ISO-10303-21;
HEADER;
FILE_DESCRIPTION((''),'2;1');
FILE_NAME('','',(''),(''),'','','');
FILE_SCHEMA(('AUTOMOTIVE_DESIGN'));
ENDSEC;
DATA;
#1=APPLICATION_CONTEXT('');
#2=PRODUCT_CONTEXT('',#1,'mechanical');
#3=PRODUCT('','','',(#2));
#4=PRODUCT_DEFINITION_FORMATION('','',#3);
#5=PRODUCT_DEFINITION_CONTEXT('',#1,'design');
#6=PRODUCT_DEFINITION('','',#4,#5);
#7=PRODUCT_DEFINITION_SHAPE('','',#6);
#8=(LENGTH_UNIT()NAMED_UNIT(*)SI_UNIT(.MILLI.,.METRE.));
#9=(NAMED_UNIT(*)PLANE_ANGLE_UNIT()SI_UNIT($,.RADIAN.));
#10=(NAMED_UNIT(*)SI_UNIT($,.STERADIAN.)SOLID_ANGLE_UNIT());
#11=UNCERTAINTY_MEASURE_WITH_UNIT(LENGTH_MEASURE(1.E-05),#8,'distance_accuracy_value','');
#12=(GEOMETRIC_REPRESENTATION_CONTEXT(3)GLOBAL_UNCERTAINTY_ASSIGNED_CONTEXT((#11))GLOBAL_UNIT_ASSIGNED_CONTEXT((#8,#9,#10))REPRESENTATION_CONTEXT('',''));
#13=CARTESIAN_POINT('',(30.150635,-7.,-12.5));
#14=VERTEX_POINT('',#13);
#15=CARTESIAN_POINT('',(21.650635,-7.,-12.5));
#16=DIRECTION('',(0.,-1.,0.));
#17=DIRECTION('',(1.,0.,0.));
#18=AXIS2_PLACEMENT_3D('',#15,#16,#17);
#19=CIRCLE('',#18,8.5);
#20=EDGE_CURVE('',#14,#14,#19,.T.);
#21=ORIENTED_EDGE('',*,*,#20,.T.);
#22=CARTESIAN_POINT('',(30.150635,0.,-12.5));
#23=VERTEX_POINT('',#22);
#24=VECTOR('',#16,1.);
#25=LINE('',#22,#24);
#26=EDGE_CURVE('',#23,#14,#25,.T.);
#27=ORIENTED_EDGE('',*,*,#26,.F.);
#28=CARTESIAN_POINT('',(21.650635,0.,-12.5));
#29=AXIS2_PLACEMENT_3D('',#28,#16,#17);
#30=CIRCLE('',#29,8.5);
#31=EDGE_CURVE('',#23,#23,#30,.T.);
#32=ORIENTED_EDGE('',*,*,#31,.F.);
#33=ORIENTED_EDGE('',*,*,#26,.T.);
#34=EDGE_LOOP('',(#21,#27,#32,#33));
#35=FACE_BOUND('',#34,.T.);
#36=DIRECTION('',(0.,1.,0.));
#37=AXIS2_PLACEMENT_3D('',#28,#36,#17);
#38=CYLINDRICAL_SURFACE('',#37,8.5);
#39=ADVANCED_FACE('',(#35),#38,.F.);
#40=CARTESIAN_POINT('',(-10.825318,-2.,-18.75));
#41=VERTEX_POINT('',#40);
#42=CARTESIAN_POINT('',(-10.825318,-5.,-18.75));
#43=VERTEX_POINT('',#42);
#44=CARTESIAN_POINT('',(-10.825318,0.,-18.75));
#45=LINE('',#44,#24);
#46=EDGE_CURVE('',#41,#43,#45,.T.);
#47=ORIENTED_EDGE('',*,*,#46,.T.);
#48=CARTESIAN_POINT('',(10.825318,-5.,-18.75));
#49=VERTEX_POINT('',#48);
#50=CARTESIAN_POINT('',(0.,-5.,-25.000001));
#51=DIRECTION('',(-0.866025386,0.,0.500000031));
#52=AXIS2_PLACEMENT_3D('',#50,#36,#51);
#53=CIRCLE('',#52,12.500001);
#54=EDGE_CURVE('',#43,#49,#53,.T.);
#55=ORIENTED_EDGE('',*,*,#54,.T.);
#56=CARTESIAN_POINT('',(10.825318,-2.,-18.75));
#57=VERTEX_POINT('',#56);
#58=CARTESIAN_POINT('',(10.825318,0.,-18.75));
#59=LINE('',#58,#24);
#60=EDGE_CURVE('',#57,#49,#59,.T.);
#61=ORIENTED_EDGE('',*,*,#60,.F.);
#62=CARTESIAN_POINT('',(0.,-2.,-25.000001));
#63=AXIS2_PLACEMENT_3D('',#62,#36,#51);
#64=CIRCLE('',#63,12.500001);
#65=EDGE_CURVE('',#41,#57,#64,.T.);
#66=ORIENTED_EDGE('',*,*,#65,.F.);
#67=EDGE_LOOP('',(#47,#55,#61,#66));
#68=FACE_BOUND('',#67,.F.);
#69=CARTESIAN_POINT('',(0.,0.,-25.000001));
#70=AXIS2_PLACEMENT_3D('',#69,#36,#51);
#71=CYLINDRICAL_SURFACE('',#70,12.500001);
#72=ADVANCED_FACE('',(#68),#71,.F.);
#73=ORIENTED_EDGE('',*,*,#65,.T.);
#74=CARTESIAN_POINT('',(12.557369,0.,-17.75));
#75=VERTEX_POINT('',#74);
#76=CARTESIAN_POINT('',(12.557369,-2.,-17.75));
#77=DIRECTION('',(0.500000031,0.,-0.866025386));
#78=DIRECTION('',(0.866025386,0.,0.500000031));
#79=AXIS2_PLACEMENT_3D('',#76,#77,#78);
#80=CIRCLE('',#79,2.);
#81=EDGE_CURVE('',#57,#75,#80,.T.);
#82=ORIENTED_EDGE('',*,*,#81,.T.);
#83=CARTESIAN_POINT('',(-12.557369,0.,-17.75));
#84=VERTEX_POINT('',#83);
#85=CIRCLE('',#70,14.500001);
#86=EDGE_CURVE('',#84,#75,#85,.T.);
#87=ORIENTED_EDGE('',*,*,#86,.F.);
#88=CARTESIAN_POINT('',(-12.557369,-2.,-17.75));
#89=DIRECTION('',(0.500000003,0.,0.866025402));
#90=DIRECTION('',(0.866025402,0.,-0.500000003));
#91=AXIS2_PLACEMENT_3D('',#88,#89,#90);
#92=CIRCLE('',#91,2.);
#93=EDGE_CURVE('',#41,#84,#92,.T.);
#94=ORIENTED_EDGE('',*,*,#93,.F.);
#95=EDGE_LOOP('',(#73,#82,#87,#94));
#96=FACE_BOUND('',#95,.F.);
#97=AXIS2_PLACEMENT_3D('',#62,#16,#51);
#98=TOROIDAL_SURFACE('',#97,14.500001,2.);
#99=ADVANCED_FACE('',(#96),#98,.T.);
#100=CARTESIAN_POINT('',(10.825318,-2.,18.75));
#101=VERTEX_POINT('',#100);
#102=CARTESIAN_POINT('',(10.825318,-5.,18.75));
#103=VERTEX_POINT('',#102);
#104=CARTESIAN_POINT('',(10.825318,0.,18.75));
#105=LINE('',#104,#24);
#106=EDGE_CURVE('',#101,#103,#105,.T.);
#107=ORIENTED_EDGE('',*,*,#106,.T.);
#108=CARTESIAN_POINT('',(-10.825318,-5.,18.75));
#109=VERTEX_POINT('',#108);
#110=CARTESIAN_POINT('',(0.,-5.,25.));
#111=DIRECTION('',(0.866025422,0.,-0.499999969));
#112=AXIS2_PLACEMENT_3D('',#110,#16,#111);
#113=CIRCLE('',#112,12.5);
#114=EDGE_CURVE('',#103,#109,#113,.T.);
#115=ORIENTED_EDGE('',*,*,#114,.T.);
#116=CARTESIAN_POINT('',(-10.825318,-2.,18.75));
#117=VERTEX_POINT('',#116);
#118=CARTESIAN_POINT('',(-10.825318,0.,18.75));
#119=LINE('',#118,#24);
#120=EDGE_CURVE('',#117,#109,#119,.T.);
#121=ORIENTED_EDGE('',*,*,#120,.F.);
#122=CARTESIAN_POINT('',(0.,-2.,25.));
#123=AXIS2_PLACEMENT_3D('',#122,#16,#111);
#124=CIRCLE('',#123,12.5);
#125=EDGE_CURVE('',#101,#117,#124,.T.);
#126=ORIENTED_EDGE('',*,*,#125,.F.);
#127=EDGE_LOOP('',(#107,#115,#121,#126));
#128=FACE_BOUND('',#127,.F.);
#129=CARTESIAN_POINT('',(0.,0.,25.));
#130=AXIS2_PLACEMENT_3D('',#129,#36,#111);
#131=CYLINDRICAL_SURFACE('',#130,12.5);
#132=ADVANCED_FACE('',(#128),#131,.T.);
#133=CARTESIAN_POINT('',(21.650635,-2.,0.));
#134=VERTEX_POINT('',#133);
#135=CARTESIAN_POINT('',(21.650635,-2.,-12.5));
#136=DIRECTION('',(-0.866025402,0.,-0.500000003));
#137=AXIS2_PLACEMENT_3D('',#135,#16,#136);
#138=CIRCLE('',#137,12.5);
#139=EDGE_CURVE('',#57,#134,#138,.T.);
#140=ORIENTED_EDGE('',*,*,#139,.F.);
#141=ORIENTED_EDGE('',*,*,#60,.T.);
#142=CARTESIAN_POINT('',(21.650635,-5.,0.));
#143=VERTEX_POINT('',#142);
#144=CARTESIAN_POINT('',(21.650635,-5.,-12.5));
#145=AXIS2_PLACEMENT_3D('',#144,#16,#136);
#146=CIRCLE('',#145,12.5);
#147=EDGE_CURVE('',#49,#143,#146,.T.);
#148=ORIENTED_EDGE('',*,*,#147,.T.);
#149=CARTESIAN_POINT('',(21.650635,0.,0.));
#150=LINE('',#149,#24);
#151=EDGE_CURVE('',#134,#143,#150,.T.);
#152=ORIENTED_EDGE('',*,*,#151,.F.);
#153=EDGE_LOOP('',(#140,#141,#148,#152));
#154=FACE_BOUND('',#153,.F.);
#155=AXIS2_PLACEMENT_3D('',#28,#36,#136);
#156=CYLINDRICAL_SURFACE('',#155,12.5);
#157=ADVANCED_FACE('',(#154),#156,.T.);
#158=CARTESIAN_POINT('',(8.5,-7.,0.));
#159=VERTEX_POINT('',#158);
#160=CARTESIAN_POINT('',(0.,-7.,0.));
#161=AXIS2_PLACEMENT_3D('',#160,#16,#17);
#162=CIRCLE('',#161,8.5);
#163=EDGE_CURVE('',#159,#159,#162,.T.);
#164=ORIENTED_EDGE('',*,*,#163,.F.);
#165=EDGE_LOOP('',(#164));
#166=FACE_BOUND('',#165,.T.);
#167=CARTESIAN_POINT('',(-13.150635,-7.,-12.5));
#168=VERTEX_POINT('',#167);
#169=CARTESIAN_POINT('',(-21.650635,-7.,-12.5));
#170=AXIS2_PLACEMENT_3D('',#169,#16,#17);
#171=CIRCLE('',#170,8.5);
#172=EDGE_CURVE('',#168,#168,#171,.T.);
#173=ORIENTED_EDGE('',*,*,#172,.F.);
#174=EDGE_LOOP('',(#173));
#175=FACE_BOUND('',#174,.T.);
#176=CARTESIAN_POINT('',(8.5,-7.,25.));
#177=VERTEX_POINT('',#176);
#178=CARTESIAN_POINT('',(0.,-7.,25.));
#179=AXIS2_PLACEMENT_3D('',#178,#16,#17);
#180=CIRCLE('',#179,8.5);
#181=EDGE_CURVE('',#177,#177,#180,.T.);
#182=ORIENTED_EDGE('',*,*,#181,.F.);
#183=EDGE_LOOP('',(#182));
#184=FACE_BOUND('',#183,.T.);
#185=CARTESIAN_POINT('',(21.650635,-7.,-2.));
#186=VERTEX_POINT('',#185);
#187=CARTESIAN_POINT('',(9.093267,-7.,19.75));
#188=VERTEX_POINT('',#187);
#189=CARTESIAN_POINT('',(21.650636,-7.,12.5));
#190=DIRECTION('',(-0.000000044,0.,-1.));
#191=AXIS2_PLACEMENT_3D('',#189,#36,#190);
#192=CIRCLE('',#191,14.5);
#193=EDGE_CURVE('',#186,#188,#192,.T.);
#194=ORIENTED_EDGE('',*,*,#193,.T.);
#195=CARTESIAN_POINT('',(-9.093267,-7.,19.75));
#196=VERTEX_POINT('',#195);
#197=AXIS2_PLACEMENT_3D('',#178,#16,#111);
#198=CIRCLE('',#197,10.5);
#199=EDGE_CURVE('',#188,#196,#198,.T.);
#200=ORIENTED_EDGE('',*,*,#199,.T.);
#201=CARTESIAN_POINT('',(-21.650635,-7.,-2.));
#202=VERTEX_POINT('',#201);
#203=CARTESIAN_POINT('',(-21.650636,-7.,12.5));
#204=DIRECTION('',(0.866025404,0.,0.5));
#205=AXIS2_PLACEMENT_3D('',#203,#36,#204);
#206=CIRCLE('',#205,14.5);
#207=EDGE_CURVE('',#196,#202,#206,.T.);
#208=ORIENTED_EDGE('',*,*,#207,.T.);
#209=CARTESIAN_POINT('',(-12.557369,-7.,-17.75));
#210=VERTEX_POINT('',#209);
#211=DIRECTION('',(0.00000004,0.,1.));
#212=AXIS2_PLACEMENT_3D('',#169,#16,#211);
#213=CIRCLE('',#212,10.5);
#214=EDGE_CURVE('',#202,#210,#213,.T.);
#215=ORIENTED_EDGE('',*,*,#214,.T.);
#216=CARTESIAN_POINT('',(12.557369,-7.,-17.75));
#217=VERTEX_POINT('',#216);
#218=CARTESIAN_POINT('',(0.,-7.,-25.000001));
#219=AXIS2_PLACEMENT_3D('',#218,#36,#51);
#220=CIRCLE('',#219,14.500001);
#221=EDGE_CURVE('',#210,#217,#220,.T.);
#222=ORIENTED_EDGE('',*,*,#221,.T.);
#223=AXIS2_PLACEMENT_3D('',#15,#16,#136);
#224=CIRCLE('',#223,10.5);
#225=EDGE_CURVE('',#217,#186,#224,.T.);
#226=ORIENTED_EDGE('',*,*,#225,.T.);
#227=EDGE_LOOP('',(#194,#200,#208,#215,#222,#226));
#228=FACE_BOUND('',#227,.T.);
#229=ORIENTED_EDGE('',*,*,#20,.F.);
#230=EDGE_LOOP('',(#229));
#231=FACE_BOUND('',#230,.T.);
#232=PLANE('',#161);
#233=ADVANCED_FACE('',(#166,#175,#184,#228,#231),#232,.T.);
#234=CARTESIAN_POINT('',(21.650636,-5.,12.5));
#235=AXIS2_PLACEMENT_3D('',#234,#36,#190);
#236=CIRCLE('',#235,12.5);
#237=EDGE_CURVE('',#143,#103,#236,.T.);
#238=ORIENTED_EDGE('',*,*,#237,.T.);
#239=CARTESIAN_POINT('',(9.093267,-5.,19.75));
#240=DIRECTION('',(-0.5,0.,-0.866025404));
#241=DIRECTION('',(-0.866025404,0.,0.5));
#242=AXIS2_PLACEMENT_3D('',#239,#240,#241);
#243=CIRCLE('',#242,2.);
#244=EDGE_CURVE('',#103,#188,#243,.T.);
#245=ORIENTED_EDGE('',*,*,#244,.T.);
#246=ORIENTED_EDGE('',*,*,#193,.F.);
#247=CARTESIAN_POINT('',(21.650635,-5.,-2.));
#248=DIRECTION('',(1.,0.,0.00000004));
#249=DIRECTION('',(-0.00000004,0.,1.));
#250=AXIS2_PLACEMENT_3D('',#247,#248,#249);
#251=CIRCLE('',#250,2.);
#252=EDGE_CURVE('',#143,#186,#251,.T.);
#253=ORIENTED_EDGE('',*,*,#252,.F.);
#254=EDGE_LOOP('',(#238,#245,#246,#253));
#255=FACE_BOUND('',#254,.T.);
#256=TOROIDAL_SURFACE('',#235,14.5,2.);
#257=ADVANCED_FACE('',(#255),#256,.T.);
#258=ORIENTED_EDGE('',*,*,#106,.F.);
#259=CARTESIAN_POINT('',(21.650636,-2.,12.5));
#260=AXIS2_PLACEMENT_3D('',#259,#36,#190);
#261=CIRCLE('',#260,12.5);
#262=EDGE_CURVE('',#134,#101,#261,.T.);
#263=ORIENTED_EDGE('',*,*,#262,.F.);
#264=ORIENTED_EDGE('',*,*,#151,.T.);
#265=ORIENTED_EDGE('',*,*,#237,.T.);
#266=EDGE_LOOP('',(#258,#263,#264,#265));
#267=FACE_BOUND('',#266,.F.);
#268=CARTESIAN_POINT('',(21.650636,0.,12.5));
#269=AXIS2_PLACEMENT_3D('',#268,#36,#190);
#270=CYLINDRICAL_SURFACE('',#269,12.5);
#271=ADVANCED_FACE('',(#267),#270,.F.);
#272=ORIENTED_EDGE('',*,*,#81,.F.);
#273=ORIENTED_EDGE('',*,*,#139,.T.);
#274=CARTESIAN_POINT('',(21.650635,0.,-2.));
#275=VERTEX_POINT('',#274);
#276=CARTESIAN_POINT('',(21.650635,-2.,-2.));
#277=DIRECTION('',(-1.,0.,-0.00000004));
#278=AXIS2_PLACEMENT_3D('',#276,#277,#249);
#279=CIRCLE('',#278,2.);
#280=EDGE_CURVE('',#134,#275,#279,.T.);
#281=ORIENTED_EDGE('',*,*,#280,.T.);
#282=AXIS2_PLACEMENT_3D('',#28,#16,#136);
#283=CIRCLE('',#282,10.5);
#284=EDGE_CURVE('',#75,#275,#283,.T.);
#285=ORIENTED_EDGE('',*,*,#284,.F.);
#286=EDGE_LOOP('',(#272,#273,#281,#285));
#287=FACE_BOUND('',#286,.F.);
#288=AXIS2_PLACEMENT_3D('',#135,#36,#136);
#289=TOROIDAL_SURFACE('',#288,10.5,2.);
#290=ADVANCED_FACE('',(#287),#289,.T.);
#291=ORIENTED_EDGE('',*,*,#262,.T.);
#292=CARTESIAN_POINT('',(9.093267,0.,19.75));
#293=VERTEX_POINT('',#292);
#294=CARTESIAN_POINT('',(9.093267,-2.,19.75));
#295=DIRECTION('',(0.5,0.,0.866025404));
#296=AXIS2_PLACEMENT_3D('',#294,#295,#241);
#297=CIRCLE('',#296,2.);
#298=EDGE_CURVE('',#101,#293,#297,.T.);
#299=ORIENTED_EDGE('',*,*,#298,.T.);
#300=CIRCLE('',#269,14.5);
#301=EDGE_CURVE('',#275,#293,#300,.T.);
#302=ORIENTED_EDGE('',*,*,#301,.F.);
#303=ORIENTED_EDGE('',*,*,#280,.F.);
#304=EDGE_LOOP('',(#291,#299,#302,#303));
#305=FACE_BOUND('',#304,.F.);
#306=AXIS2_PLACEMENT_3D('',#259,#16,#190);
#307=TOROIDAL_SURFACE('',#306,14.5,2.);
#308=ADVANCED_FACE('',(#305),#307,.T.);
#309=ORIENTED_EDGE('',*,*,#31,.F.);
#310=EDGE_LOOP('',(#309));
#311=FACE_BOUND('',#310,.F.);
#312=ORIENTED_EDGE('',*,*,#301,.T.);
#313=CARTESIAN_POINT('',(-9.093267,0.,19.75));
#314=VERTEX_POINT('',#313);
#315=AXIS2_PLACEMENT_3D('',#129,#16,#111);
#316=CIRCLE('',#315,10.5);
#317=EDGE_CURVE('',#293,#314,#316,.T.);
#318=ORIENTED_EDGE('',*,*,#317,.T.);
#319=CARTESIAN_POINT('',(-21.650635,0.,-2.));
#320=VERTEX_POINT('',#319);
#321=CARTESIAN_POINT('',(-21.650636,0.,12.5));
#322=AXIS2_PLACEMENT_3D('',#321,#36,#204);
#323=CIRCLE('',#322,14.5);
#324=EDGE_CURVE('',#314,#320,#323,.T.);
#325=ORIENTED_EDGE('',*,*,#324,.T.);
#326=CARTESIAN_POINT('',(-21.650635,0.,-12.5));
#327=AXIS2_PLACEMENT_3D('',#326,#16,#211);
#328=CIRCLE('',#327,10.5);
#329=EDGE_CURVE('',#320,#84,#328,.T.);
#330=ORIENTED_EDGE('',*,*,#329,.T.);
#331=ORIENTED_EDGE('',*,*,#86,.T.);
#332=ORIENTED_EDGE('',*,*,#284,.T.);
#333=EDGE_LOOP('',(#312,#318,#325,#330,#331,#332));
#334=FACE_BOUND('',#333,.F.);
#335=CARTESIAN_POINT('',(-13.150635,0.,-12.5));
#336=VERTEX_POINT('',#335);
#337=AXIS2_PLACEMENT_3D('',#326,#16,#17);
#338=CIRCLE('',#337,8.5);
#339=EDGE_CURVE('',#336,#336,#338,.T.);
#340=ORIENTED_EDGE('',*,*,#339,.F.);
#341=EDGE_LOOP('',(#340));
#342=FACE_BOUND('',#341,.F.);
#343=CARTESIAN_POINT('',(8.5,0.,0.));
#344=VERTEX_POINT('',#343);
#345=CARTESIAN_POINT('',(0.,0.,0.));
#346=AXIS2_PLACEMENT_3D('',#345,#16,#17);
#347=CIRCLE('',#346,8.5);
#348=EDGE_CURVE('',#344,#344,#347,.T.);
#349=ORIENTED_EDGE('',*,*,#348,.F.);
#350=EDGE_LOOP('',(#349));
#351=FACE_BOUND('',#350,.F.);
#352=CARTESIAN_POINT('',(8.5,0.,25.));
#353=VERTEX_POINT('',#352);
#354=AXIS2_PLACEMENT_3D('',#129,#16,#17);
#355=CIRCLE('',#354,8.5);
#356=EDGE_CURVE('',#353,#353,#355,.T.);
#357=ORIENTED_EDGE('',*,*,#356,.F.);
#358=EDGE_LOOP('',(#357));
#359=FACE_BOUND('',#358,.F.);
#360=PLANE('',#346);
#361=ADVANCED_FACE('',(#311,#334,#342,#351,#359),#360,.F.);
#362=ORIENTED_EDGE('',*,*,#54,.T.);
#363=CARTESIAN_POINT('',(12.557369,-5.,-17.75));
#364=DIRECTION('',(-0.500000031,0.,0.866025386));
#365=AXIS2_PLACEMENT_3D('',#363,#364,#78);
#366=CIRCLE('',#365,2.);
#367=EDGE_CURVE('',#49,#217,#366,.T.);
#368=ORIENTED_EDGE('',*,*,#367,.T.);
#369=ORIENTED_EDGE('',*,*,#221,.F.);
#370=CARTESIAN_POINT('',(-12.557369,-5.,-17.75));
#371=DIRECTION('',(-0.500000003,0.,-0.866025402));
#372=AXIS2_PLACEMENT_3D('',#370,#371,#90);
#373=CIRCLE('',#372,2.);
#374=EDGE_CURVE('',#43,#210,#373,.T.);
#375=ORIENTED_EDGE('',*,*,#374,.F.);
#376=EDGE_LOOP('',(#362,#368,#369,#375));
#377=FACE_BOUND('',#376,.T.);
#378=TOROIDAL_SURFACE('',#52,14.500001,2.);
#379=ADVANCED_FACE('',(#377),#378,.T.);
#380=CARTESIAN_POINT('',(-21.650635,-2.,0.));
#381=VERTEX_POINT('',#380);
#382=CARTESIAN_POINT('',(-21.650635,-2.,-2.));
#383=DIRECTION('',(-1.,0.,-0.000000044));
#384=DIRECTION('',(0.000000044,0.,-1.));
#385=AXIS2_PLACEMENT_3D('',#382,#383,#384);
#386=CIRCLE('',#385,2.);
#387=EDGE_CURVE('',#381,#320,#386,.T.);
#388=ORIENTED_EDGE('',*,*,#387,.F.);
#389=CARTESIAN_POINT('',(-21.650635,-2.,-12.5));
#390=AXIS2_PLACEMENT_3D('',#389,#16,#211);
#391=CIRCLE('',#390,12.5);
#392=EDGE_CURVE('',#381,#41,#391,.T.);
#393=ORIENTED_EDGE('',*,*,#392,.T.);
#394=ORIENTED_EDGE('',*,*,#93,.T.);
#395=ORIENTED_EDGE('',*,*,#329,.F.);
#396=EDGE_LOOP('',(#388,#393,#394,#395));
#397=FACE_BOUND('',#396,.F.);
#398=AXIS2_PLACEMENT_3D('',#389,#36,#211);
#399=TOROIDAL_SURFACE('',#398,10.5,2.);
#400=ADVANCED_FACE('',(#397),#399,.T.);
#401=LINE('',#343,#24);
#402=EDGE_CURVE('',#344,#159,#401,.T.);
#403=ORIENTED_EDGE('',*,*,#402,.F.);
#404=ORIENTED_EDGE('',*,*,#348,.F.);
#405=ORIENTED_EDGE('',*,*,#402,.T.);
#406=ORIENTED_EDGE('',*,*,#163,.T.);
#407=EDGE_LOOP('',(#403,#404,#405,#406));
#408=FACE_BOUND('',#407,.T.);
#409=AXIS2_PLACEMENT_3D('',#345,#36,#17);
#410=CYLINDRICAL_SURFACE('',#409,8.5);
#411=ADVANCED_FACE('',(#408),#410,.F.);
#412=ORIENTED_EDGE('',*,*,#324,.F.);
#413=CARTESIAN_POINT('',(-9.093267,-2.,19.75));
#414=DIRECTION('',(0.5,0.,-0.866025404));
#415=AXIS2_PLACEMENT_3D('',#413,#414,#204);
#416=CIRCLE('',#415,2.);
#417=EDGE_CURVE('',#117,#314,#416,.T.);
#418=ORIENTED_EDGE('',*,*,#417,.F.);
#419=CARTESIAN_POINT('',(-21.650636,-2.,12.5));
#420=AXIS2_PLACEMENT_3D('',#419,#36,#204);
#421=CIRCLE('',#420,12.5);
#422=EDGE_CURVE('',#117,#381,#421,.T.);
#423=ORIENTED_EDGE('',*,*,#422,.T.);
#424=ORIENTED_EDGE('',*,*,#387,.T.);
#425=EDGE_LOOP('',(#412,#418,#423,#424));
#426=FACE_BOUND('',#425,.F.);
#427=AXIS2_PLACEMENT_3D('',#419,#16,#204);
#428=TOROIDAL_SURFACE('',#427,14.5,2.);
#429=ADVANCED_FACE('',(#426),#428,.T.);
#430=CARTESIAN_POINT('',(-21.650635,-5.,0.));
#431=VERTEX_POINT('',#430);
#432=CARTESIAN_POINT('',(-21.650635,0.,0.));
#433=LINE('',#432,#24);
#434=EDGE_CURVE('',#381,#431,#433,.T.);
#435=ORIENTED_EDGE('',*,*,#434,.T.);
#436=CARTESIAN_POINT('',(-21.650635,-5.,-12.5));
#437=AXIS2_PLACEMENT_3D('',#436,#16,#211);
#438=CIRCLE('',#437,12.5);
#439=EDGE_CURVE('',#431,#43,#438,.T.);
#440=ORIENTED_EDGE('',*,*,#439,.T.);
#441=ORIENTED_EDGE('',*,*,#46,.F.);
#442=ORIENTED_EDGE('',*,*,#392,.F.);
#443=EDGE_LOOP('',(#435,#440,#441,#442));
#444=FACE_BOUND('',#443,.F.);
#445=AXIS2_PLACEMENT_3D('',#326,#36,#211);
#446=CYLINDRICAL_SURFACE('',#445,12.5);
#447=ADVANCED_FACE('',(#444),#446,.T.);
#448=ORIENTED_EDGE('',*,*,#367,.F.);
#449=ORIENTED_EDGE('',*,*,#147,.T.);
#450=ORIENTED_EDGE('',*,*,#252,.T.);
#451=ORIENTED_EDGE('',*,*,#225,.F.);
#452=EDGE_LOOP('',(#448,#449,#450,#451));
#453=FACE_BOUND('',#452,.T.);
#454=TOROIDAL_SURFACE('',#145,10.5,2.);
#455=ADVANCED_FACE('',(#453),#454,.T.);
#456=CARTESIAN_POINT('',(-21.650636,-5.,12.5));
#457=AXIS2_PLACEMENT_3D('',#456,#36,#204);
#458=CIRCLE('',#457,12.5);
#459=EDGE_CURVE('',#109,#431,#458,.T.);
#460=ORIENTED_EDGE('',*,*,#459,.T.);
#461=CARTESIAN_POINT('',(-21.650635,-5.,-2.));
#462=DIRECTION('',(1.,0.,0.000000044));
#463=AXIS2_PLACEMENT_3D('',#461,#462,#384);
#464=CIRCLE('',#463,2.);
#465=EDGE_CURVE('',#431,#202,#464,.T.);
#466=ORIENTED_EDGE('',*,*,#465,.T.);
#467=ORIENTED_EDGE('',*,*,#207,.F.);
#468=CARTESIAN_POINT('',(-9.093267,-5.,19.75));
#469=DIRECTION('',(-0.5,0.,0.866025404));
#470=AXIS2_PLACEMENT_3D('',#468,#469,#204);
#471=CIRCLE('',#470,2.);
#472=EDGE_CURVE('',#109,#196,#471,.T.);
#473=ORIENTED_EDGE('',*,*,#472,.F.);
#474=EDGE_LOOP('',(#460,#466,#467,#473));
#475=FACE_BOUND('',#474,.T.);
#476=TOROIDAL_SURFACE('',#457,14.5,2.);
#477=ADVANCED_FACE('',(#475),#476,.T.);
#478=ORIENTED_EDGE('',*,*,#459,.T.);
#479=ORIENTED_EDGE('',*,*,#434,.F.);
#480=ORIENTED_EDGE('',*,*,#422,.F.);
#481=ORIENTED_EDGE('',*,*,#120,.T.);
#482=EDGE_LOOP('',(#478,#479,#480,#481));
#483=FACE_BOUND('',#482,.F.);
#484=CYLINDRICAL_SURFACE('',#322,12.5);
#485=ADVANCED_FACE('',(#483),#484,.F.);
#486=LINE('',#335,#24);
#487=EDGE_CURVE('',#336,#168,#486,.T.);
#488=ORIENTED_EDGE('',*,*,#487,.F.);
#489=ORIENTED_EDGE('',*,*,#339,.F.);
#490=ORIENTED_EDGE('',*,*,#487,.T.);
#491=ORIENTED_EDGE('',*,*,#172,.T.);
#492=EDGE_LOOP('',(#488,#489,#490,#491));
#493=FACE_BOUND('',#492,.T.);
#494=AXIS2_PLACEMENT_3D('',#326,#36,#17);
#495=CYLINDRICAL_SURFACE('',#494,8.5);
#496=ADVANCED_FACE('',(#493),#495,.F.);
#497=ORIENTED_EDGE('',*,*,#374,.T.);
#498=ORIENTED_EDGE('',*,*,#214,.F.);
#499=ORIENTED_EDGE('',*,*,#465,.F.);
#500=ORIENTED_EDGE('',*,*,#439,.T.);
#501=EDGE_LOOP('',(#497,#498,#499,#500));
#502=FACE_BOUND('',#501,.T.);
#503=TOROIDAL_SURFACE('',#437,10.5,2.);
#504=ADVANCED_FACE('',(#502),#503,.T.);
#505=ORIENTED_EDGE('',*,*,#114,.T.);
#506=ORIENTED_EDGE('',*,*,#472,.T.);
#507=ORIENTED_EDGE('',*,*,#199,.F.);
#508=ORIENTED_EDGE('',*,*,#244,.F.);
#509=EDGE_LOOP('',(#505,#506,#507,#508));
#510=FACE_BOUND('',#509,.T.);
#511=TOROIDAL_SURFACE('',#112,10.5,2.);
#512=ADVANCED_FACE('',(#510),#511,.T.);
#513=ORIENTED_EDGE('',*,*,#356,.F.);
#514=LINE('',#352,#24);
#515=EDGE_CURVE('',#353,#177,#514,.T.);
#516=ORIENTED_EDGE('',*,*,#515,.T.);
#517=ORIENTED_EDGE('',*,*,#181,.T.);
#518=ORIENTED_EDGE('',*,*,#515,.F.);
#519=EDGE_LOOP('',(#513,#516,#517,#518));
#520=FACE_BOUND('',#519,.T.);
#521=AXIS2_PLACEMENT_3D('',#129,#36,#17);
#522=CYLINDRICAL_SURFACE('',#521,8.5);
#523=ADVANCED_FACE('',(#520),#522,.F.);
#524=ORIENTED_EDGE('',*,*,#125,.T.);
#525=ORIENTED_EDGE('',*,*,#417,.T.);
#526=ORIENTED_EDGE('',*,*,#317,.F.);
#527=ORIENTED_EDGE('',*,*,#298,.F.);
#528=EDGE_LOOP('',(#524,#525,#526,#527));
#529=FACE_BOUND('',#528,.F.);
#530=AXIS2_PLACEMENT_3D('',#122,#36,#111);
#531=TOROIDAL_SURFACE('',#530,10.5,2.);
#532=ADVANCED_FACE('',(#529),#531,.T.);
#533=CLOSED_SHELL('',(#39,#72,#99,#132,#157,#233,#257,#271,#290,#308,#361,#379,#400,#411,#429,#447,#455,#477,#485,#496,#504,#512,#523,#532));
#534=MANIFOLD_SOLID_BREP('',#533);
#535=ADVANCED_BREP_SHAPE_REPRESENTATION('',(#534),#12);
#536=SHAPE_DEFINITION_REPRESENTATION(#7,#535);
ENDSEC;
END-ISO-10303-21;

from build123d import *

# Parameters (mm, degrees)
F0_R     = 8.5
F1_DEPTH = 7
F2_R     = 2


with BuildPart() as f1:
    # F0 (on Front) → F1 (new body)
    with BuildSketch(Plane.XZ):
        with BuildLine():
            ThreePointArc((21.650635, 0), (10.825318, 6.25), (10.825318, 18.75))
            ThreePointArc((10.825318, 18.75), (0, 37.5), (-10.825318, 18.75))
            ThreePointArc((-10.825318, 18.75), (-10.825318, 6.25), (-21.650635, 0))
            ThreePointArc((-21.650635, 0), (-32.475953, -18.75), (-10.825318, -18.75))
            ThreePointArc((-10.825318, -18.75), (0, -12.5), (10.825318, -18.75))
            ThreePointArc((10.825318, -18.75), (32.475953, -18.75), (21.650635, 0))
        make_face()
        with Locations((-21.650635, -12.5)):
            Circle(F0_R, mode=Mode.SUBTRACT)
        with Locations((21.650635, -12.5)):
            Circle(F0_R, mode=Mode.SUBTRACT)
        Circle(F0_R, mode=Mode.SUBTRACT)
        with Locations((0, 25)):
            Circle(F0_R, mode=Mode.SUBTRACT)
    extrude(amount=F1_DEPTH)

    # F2
    f2_edges = [f1.edges().sort_by_distance(p)[0] for p in [
        (-10.825318, 0, 6.25),
        (-10.825318, -7, 6.25),
    ]]
    fillet(f2_edges, radius=F2_R)


solid = f1.part
